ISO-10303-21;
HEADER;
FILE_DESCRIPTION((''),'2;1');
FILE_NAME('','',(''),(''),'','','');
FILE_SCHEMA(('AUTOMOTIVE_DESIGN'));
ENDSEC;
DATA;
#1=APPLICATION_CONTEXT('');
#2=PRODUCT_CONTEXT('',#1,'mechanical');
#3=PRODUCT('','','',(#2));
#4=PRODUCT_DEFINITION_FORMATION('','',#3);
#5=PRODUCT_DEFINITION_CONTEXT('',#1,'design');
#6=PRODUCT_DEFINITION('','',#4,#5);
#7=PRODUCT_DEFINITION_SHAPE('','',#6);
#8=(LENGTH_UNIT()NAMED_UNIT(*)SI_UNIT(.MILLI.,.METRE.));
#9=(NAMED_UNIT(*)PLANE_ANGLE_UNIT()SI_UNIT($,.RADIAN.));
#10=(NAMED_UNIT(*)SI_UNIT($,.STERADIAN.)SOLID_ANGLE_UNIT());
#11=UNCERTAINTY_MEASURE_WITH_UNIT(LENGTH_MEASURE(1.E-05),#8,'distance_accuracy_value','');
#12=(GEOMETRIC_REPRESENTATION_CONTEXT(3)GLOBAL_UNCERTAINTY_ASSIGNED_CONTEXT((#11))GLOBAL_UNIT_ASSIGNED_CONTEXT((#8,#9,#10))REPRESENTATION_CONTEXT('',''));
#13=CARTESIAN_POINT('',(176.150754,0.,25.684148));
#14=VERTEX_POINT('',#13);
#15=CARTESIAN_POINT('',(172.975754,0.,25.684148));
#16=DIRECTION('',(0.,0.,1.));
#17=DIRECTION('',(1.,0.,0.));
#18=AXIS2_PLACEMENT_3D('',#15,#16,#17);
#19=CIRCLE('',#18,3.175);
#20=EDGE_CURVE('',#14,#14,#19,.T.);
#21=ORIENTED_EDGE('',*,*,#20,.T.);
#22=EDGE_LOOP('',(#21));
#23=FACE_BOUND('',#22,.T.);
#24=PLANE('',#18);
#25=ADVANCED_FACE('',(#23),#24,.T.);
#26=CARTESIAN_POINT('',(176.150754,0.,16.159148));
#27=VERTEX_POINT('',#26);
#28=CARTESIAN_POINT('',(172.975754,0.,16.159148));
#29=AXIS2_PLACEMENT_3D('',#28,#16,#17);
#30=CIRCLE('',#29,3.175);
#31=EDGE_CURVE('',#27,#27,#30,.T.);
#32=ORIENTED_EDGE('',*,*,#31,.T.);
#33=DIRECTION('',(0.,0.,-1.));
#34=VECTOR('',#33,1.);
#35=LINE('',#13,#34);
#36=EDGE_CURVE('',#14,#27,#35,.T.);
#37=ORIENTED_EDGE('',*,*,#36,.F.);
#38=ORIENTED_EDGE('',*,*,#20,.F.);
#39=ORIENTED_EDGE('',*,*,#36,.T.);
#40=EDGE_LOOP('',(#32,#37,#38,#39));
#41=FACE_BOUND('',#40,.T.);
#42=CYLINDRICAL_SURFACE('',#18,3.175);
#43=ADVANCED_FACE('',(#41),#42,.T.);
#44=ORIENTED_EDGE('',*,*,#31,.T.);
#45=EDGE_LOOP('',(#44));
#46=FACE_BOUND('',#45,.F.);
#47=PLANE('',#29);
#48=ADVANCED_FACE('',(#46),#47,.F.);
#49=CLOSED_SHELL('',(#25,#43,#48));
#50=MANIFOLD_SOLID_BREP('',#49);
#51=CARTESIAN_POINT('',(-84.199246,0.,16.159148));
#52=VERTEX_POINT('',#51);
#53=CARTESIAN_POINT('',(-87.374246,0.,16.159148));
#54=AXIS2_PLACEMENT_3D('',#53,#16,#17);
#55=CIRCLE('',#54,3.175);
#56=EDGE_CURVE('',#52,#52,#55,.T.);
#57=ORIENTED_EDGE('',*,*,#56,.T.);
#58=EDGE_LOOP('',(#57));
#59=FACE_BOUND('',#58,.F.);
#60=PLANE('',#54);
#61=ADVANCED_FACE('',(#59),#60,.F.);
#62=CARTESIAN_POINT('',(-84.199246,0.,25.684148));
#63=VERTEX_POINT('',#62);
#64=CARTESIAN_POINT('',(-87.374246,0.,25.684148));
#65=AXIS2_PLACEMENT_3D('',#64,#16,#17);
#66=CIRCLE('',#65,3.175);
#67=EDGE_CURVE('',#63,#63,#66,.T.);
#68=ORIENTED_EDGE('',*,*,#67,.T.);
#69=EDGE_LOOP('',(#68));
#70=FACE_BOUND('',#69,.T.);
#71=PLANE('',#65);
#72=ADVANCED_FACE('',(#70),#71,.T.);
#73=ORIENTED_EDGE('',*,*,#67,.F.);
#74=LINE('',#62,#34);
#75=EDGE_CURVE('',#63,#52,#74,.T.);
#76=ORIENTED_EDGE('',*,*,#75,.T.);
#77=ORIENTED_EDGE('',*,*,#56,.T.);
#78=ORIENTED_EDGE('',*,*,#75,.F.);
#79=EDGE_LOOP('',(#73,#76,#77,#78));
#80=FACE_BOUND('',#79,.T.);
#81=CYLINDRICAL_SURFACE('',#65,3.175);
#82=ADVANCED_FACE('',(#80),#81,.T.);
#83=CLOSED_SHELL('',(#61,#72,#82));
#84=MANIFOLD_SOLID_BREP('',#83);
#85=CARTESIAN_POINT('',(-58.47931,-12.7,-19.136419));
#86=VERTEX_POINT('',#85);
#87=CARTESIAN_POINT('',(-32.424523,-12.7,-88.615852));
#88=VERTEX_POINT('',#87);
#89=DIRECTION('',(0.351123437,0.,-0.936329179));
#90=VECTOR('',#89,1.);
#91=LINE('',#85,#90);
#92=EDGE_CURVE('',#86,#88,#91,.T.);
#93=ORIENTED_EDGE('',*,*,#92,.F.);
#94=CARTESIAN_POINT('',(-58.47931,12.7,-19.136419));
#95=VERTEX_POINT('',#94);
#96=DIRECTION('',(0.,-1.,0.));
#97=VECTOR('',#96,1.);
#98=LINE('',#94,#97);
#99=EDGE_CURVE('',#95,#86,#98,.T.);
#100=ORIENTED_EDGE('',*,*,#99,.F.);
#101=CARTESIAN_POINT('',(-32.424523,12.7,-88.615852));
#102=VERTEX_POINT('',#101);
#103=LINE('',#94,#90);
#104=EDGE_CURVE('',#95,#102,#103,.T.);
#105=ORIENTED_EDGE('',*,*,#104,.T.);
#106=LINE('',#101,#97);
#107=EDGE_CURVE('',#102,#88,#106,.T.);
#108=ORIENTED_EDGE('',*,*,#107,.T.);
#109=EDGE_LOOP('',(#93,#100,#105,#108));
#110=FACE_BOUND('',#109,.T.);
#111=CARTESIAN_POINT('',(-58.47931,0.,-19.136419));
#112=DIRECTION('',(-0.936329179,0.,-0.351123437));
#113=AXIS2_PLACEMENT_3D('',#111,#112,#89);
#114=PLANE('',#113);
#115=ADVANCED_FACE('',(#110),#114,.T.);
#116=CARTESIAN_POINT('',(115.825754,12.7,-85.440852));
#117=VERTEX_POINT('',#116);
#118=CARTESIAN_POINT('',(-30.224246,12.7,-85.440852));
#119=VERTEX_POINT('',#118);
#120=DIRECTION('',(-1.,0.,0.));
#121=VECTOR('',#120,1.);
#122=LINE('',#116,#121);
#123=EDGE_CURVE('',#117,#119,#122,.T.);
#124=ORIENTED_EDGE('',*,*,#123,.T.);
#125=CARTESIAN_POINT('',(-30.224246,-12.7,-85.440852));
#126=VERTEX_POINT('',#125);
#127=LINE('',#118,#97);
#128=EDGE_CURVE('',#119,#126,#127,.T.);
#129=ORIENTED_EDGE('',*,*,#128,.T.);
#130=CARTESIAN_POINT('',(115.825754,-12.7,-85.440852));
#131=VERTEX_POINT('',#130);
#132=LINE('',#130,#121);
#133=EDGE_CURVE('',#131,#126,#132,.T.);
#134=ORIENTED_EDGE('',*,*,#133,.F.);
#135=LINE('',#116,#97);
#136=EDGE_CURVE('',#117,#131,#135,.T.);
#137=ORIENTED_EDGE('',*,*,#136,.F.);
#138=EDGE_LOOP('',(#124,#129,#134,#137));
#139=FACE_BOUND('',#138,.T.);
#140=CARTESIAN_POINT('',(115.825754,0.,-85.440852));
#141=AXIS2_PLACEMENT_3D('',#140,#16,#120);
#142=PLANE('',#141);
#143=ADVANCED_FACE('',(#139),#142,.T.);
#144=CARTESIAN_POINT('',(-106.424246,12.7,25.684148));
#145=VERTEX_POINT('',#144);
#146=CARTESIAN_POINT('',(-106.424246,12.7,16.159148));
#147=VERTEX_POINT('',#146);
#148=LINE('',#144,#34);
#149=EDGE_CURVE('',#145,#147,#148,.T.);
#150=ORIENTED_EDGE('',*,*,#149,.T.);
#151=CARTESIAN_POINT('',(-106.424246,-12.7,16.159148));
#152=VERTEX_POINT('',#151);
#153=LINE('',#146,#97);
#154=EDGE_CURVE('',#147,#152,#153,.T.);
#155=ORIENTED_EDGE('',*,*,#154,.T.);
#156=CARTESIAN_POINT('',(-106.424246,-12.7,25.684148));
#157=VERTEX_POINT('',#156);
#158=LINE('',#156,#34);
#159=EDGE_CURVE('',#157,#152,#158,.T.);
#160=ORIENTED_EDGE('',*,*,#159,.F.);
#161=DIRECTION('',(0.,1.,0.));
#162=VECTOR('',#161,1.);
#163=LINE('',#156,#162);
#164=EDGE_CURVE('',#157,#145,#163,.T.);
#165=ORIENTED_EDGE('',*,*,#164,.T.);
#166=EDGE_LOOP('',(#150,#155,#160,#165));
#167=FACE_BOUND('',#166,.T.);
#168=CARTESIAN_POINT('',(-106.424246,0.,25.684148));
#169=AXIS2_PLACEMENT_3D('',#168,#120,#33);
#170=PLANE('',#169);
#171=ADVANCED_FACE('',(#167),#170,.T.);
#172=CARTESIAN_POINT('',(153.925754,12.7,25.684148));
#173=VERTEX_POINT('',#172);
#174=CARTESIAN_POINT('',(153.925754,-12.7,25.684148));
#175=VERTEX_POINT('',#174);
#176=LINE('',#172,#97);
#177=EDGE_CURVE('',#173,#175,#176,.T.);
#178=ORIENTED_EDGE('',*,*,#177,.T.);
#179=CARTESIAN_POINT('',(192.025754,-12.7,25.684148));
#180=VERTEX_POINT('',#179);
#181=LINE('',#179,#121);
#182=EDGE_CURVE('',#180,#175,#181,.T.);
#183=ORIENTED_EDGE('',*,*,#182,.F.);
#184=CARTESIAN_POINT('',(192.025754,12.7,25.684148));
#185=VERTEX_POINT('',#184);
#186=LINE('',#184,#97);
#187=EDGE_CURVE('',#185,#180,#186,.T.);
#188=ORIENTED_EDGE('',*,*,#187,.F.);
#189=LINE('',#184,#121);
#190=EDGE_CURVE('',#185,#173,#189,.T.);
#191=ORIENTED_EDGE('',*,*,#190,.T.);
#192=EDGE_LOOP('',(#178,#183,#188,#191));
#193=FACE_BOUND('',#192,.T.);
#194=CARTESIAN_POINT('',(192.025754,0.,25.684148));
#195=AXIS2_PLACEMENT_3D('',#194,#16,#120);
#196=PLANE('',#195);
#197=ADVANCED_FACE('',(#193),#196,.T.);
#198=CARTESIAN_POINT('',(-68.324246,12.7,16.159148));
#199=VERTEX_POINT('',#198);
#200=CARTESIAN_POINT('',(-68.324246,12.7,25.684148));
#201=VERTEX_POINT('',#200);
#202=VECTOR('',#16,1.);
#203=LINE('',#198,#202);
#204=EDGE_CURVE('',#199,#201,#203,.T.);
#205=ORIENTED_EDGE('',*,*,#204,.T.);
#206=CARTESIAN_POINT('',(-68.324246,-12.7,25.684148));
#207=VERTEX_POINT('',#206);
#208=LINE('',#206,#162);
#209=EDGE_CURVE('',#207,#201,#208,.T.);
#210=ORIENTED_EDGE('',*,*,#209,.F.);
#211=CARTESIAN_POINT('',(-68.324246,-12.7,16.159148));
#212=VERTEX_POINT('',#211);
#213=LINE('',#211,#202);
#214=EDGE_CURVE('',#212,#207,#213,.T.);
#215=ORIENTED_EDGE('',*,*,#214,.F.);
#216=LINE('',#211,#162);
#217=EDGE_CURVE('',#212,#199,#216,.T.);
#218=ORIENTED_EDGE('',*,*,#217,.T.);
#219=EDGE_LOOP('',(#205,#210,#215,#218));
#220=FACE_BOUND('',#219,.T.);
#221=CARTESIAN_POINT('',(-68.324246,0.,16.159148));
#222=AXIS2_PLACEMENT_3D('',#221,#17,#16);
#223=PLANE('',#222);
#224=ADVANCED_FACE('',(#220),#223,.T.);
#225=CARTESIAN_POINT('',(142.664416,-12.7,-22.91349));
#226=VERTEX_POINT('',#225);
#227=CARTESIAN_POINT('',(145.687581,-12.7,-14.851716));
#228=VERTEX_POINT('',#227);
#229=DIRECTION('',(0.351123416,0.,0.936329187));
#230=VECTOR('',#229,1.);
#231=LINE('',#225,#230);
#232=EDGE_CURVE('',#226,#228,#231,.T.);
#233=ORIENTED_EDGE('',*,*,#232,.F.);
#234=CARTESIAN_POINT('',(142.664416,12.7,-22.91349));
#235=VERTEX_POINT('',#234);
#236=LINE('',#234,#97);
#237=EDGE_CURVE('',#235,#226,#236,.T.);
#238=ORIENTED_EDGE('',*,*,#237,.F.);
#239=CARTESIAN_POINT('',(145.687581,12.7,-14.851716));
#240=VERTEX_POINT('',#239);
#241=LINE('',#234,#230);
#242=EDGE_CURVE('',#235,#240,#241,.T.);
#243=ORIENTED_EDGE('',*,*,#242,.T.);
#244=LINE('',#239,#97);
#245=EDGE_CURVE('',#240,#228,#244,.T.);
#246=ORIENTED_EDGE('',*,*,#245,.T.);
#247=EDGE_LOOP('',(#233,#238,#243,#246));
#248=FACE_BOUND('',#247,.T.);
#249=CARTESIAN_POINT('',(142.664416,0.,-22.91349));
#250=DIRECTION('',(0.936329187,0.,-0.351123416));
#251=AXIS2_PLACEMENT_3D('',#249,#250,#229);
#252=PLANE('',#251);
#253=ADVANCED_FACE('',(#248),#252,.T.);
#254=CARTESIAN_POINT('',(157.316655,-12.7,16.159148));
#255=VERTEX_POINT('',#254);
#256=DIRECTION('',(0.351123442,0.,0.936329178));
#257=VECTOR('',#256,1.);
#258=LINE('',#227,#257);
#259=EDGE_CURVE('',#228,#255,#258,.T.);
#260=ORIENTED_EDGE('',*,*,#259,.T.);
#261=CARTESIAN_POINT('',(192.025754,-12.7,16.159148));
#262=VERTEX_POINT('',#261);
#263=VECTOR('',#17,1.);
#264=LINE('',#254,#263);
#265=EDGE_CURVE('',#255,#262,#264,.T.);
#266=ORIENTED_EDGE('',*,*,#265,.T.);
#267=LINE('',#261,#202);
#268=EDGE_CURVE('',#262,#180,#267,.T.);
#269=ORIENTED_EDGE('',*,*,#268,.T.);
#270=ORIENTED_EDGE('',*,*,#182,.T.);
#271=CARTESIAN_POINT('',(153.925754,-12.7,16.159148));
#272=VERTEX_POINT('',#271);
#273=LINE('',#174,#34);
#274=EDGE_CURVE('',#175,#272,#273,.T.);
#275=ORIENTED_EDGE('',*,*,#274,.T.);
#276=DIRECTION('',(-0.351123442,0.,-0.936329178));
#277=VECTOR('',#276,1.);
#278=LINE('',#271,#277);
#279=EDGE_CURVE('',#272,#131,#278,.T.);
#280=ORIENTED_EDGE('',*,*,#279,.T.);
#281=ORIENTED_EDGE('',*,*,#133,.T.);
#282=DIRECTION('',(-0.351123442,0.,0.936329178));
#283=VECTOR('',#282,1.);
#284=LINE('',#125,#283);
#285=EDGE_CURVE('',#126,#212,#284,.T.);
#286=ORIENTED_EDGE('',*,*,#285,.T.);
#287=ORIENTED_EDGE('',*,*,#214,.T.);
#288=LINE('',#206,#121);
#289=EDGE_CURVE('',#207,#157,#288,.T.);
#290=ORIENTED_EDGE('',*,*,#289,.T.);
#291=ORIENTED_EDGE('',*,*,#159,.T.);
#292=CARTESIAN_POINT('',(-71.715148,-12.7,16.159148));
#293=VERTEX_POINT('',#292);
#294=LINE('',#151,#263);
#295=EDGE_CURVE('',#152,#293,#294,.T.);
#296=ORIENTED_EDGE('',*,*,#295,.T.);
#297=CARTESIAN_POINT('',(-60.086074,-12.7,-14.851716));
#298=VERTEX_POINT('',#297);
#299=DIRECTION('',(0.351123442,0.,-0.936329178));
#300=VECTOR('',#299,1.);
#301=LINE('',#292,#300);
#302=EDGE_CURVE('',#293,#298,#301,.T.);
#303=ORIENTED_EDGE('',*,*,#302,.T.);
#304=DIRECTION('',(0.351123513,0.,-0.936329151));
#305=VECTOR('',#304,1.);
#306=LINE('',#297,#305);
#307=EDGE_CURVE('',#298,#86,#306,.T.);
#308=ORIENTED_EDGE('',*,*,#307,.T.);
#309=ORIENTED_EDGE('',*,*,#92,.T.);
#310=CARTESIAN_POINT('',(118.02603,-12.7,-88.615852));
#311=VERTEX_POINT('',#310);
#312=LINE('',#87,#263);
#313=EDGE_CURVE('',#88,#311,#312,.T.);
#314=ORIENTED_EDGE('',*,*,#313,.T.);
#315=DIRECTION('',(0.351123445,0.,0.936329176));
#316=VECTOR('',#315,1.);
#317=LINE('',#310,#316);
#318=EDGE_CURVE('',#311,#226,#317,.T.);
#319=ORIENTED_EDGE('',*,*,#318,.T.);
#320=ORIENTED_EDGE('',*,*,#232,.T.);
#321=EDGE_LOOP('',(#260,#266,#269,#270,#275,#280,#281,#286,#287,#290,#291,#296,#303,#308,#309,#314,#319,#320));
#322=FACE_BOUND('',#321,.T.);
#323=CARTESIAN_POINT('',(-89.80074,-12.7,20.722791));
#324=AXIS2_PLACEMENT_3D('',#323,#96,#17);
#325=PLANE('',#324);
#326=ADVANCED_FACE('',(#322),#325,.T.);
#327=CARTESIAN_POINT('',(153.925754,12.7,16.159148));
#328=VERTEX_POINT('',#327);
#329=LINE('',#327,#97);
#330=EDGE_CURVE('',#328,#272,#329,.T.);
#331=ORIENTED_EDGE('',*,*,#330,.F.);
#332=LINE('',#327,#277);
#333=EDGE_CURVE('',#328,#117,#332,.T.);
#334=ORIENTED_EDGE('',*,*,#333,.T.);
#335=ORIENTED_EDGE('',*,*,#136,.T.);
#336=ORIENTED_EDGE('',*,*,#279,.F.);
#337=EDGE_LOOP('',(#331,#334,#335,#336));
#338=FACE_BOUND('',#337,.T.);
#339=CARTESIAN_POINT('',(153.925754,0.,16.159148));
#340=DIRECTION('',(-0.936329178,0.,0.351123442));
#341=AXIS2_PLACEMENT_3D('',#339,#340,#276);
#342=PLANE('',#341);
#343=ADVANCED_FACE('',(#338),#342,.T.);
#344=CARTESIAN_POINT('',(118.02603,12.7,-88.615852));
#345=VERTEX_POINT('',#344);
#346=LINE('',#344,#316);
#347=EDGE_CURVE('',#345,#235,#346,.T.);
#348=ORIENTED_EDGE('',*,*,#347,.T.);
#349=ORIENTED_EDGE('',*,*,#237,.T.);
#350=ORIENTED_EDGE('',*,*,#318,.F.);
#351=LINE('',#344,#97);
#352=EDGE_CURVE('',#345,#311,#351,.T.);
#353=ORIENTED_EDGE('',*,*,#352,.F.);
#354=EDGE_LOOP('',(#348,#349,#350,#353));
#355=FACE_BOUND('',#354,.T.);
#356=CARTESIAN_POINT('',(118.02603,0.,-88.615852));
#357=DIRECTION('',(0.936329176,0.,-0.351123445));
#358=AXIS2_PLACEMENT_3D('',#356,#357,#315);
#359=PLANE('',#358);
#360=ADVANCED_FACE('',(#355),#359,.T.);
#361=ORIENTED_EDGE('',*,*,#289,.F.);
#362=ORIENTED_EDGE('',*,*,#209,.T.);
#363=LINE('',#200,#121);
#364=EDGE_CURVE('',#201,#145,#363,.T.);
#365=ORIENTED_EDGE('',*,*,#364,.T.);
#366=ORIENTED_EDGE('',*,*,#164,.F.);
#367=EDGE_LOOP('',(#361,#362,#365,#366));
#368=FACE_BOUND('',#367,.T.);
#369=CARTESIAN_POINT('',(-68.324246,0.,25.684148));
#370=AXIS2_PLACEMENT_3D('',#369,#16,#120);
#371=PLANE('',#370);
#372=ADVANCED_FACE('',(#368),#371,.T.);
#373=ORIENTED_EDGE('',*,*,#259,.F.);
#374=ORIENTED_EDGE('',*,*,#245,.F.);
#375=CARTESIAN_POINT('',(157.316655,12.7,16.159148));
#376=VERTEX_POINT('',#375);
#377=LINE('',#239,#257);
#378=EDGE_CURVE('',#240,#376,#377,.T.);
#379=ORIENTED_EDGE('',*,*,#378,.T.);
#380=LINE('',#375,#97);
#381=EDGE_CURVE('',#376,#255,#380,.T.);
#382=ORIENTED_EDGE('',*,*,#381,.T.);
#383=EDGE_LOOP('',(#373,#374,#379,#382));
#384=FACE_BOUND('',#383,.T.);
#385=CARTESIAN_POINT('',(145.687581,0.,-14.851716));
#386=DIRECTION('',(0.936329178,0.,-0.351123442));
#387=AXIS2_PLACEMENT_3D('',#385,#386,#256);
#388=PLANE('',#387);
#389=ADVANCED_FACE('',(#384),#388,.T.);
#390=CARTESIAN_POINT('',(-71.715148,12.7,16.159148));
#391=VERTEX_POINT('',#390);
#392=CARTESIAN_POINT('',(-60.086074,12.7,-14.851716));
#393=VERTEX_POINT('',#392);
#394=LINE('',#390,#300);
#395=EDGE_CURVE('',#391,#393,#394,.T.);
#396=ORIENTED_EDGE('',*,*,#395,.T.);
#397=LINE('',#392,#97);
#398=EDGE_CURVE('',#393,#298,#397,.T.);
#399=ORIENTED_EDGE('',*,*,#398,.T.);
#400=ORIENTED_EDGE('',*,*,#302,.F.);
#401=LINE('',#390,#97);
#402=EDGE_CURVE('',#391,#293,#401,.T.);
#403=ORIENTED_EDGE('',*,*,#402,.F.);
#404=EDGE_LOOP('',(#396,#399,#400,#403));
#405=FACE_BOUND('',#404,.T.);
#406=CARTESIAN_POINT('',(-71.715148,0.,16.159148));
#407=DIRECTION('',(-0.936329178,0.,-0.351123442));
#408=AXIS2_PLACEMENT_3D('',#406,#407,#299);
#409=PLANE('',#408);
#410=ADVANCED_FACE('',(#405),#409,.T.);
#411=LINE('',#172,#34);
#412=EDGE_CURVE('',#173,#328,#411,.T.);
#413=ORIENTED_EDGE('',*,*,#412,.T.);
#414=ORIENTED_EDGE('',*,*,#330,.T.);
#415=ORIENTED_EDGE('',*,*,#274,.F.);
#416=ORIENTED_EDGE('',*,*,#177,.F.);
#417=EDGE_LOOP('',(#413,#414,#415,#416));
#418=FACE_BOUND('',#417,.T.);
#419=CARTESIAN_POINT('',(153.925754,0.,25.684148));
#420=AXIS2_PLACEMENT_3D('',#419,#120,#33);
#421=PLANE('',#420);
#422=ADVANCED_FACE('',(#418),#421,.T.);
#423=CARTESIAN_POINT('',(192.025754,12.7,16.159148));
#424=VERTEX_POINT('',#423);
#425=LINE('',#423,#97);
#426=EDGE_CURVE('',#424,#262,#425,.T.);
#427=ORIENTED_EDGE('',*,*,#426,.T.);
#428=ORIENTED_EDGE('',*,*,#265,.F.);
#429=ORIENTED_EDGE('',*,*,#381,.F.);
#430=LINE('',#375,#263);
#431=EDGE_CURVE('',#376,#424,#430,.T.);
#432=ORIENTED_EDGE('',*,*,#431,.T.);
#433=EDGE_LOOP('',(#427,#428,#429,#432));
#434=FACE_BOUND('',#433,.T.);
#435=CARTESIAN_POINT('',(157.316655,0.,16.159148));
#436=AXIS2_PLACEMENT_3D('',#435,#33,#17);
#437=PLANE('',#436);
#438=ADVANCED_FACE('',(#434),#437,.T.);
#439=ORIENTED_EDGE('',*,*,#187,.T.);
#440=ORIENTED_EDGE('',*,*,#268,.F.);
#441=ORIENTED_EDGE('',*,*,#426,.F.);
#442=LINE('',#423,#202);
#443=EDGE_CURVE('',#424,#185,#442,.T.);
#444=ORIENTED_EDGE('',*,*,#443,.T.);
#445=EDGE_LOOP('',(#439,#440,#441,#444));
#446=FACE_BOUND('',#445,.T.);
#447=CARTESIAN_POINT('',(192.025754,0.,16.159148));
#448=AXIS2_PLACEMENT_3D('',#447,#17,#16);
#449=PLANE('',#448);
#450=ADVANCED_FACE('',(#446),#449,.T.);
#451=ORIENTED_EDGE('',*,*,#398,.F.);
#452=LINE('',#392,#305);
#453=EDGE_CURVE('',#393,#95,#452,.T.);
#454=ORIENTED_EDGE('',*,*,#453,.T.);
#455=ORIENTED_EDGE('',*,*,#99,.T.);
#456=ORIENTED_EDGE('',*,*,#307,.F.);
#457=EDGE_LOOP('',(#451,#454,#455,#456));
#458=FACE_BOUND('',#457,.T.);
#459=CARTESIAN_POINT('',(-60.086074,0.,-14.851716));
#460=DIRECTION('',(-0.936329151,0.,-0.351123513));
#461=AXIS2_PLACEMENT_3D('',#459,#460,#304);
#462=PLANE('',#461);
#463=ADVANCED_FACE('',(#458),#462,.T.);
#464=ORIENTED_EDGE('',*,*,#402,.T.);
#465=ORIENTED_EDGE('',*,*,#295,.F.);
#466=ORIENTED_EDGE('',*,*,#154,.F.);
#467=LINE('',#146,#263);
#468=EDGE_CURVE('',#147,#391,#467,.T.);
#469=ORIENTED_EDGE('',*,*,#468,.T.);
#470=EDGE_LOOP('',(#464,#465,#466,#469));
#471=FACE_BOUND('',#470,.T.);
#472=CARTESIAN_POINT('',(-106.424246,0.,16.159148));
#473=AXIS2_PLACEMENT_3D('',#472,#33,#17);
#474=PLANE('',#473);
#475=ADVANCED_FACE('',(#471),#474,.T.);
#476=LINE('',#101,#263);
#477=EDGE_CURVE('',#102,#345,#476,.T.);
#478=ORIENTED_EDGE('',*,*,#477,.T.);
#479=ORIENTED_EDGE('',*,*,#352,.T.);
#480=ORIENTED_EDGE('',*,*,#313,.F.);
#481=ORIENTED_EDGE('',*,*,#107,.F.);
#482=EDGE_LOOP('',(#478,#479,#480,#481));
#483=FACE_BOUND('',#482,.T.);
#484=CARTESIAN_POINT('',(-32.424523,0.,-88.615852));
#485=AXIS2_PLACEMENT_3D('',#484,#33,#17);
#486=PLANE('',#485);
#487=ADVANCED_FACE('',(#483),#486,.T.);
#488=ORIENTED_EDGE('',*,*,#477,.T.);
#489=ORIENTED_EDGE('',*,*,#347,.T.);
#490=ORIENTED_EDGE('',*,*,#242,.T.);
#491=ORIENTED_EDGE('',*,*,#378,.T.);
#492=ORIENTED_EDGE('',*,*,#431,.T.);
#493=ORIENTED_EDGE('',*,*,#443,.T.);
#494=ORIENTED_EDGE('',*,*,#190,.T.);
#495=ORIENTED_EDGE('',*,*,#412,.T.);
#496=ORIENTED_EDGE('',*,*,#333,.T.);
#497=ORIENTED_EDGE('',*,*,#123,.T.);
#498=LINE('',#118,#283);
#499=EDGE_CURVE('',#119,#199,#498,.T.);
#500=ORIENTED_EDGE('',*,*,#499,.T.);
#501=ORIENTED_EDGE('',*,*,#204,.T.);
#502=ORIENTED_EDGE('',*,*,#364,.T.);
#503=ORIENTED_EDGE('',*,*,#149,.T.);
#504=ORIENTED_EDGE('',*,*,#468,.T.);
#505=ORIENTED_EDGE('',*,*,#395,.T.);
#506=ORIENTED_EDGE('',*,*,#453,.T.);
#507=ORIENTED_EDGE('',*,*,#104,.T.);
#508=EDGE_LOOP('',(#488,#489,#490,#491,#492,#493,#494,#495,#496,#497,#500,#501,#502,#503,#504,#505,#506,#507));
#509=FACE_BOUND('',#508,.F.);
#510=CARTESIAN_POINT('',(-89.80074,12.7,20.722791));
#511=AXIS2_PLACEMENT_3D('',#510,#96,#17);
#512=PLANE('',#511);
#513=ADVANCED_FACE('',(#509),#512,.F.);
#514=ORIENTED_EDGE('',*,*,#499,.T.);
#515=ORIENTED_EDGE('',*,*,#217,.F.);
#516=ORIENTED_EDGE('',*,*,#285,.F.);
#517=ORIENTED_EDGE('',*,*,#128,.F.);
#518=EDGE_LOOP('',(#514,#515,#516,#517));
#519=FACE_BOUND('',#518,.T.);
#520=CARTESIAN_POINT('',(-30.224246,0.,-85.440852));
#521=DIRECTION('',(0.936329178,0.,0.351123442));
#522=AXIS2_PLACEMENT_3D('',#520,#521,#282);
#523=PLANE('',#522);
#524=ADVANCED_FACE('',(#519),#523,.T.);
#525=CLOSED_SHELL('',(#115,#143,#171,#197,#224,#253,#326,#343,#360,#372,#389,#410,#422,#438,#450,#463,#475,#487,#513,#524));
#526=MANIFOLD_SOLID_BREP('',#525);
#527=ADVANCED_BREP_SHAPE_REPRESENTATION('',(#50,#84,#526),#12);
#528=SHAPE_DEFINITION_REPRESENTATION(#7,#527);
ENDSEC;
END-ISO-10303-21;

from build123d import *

# Parameters (mm, degrees)
F1_DEPTH = 12.7
F2_R     = 3.175
F3_DEPTH = 9.525
F4_R     = 3.175
F5_DEPTH = 9.525


with BuildPart() as f1:
    # F0 (on Front) → F1 (new body, symmetric)
    with BuildSketch(Plane.XZ):
        Polygon((-75.287023, 25.684148), (-106.424246, 25.684148), (-106.424246, 16.159148), (-71.715148, 16.159148), align=None)
        Polygon((-68.324246, 25.684148), (-75.287023, 25.684148), (-71.715148, 16.159148), (-68.324246, 16.159148), align=None)
        Polygon((-68.324246, 16.159148), (-71.715148, 16.159148), (-60.086074, -14.851716), (-58.47931, -19.136419), (-32.424523, -88.615852), (118.02603, -88.615852), (142.664416, -22.91349), (145.687581, -14.851716), (157.316655, 16.159148), (153.925754, 16.159148), (115.825754, -85.440852), (-30.224246, -85.440852), align=None)
        Polygon((153.925754, 25.684148), (153.925754, 16.159148), (157.316655, 16.159148), (160.88853, 25.684148), align=None)
        Polygon((160.88853, 25.684148), (157.316655, 16.159148), (192.025754, 16.159148), (192.025754, 25.684148), align=None)
    extrude(amount=F1_DEPTH, both=True)


with BuildPart() as f3:
    # F2 (on face) → F3 (new body)
    with BuildSketch(Plane.XY.offset(25.684148)):
        with Locations((-87.374246, 0)):
            Circle(F2_R)
    extrude(amount=-F3_DEPTH)


with BuildPart() as f5:
    # F4 (on face) → F5 (new body)
    with BuildSketch(Plane.XY.offset(25.684148)):
        with Locations((172.975754, 0)):
            Circle(F4_R)
    extrude(amount=-F5_DEPTH)


solid = Compound([f1.part, f3.part, f5.part])
